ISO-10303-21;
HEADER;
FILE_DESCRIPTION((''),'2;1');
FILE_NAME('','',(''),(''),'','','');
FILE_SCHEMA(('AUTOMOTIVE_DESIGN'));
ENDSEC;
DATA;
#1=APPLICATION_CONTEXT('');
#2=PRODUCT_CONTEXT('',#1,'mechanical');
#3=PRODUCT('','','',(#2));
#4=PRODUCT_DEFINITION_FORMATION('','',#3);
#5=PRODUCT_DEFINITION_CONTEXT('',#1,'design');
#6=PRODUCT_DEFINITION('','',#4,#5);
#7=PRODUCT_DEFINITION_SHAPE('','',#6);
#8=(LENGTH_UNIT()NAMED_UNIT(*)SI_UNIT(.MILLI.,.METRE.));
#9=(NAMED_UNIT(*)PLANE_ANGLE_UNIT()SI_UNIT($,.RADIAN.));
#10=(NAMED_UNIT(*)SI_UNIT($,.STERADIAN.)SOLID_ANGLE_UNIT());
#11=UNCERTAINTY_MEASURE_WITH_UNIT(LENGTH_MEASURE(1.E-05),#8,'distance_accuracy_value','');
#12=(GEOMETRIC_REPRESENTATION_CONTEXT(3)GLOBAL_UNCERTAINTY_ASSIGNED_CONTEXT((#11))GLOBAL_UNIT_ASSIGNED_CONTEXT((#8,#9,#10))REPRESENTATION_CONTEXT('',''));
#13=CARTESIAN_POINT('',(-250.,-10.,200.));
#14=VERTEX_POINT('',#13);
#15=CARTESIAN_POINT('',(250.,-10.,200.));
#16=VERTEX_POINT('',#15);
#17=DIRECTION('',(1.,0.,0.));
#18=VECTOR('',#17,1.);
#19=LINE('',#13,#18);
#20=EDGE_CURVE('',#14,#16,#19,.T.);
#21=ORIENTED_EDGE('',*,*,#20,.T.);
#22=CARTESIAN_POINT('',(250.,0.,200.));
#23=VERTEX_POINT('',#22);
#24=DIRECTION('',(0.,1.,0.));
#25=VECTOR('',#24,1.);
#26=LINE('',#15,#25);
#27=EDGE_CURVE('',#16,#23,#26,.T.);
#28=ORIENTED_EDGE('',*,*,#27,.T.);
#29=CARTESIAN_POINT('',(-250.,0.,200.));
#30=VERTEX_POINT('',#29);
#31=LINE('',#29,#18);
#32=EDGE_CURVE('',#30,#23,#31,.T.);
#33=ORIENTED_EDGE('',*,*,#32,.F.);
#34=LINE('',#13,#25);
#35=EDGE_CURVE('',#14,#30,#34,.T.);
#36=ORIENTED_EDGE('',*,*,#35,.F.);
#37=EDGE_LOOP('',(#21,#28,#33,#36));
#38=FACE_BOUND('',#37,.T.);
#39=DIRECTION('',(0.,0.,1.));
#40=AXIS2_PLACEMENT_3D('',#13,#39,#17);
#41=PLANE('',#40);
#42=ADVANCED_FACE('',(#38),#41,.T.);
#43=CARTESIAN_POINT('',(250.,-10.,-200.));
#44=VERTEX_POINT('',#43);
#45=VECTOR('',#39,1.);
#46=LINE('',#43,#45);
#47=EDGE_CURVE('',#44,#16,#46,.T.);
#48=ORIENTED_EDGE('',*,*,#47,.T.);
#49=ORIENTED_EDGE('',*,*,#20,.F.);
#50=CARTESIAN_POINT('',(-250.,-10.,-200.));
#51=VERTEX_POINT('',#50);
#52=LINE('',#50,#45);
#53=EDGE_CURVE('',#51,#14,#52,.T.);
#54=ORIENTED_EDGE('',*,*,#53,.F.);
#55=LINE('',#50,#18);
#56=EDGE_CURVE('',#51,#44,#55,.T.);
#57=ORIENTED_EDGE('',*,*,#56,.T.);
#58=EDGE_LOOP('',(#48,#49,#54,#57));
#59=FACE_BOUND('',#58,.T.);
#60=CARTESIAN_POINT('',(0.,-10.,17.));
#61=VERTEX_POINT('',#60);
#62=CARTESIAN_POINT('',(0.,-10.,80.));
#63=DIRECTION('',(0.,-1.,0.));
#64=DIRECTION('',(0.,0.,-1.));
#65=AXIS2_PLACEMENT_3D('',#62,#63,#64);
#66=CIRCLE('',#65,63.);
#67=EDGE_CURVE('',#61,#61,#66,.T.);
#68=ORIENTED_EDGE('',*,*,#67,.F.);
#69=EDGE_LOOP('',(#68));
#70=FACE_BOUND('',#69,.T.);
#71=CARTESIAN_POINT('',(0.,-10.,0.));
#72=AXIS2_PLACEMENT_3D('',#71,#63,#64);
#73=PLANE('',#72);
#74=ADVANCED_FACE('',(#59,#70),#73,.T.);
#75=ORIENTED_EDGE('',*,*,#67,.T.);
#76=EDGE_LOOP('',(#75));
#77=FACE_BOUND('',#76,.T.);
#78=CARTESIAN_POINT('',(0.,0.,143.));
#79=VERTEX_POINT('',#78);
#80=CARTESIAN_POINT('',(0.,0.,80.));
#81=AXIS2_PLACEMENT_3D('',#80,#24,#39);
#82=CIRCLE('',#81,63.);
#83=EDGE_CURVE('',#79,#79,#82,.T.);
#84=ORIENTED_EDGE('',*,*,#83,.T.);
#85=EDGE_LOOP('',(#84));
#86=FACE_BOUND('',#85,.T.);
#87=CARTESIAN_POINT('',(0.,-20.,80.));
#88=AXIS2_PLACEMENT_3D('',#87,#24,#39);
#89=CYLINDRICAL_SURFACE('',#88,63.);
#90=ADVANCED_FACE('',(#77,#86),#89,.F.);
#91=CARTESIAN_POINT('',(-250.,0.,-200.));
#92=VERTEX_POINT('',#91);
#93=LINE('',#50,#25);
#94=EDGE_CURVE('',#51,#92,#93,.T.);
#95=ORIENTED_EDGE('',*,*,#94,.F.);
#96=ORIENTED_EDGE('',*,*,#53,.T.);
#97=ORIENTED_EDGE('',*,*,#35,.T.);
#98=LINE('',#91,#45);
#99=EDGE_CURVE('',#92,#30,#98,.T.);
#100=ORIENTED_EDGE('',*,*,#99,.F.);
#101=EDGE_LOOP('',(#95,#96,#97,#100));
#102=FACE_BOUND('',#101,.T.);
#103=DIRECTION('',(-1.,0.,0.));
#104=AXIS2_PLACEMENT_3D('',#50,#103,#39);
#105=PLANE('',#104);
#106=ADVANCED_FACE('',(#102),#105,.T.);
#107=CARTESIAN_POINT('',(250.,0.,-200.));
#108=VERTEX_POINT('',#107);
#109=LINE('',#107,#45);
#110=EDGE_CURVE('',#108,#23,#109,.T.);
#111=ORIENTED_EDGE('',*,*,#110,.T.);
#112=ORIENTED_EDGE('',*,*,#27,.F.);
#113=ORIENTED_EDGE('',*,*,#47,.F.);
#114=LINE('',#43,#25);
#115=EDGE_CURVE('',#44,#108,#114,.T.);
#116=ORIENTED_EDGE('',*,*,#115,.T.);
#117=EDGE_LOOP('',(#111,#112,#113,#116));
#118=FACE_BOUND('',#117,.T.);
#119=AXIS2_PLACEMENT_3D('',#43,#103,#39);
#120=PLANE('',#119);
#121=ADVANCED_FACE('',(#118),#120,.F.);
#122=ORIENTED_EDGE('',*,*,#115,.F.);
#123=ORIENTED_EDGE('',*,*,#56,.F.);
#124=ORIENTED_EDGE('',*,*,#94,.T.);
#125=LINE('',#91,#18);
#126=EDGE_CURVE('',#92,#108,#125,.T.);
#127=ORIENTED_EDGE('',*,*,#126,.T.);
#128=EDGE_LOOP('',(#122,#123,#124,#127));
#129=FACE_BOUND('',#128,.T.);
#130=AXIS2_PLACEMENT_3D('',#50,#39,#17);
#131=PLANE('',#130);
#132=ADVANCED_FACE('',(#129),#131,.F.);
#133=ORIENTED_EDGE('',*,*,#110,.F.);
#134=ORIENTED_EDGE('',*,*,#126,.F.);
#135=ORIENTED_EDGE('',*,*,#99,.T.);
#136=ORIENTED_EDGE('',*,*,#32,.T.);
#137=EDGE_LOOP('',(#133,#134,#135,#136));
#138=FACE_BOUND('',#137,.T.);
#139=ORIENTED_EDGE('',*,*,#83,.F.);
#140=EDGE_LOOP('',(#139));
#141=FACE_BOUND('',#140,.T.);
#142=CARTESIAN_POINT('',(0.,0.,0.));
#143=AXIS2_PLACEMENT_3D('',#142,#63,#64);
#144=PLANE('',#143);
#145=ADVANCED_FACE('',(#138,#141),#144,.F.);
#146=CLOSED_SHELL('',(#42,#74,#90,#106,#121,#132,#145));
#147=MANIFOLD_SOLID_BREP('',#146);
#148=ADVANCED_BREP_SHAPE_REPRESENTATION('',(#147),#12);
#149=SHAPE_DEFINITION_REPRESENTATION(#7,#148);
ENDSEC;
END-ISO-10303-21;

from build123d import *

# Parameters (mm, degrees)
SKETCH1_W           = 500
SKETCH1_H           = 400
BOSS_EXTRUDE1_DEPTH = 10
SKETCH2_R           = 63
CUT_EXTRUDE1_DEPTH  = 20


with BuildPart() as part:
    # Sketch1 → Boss-Extrude1 (new body)
    with BuildSketch(Plane(origin=(0, 0, 0), x_dir=(1, 0, 0), z_dir=(0, 1, 0))):
        Rectangle(SKETCH1_W, SKETCH1_H)
    extrude(amount=-BOSS_EXTRUDE1_DEPTH)

    # Sketch2 → Cut-Extrude1 (cut)
    with BuildSketch(Plane(origin=(0, 0, 0), x_dir=(1, 0, 0), z_dir=(0, 1, 0))):
        with Locations((0, -80)):
            Circle(SKETCH2_R)
    extrude(amount=-CUT_EXTRUDE1_DEPTH, mode=Mode.SUBTRACT)


solid = part.part
